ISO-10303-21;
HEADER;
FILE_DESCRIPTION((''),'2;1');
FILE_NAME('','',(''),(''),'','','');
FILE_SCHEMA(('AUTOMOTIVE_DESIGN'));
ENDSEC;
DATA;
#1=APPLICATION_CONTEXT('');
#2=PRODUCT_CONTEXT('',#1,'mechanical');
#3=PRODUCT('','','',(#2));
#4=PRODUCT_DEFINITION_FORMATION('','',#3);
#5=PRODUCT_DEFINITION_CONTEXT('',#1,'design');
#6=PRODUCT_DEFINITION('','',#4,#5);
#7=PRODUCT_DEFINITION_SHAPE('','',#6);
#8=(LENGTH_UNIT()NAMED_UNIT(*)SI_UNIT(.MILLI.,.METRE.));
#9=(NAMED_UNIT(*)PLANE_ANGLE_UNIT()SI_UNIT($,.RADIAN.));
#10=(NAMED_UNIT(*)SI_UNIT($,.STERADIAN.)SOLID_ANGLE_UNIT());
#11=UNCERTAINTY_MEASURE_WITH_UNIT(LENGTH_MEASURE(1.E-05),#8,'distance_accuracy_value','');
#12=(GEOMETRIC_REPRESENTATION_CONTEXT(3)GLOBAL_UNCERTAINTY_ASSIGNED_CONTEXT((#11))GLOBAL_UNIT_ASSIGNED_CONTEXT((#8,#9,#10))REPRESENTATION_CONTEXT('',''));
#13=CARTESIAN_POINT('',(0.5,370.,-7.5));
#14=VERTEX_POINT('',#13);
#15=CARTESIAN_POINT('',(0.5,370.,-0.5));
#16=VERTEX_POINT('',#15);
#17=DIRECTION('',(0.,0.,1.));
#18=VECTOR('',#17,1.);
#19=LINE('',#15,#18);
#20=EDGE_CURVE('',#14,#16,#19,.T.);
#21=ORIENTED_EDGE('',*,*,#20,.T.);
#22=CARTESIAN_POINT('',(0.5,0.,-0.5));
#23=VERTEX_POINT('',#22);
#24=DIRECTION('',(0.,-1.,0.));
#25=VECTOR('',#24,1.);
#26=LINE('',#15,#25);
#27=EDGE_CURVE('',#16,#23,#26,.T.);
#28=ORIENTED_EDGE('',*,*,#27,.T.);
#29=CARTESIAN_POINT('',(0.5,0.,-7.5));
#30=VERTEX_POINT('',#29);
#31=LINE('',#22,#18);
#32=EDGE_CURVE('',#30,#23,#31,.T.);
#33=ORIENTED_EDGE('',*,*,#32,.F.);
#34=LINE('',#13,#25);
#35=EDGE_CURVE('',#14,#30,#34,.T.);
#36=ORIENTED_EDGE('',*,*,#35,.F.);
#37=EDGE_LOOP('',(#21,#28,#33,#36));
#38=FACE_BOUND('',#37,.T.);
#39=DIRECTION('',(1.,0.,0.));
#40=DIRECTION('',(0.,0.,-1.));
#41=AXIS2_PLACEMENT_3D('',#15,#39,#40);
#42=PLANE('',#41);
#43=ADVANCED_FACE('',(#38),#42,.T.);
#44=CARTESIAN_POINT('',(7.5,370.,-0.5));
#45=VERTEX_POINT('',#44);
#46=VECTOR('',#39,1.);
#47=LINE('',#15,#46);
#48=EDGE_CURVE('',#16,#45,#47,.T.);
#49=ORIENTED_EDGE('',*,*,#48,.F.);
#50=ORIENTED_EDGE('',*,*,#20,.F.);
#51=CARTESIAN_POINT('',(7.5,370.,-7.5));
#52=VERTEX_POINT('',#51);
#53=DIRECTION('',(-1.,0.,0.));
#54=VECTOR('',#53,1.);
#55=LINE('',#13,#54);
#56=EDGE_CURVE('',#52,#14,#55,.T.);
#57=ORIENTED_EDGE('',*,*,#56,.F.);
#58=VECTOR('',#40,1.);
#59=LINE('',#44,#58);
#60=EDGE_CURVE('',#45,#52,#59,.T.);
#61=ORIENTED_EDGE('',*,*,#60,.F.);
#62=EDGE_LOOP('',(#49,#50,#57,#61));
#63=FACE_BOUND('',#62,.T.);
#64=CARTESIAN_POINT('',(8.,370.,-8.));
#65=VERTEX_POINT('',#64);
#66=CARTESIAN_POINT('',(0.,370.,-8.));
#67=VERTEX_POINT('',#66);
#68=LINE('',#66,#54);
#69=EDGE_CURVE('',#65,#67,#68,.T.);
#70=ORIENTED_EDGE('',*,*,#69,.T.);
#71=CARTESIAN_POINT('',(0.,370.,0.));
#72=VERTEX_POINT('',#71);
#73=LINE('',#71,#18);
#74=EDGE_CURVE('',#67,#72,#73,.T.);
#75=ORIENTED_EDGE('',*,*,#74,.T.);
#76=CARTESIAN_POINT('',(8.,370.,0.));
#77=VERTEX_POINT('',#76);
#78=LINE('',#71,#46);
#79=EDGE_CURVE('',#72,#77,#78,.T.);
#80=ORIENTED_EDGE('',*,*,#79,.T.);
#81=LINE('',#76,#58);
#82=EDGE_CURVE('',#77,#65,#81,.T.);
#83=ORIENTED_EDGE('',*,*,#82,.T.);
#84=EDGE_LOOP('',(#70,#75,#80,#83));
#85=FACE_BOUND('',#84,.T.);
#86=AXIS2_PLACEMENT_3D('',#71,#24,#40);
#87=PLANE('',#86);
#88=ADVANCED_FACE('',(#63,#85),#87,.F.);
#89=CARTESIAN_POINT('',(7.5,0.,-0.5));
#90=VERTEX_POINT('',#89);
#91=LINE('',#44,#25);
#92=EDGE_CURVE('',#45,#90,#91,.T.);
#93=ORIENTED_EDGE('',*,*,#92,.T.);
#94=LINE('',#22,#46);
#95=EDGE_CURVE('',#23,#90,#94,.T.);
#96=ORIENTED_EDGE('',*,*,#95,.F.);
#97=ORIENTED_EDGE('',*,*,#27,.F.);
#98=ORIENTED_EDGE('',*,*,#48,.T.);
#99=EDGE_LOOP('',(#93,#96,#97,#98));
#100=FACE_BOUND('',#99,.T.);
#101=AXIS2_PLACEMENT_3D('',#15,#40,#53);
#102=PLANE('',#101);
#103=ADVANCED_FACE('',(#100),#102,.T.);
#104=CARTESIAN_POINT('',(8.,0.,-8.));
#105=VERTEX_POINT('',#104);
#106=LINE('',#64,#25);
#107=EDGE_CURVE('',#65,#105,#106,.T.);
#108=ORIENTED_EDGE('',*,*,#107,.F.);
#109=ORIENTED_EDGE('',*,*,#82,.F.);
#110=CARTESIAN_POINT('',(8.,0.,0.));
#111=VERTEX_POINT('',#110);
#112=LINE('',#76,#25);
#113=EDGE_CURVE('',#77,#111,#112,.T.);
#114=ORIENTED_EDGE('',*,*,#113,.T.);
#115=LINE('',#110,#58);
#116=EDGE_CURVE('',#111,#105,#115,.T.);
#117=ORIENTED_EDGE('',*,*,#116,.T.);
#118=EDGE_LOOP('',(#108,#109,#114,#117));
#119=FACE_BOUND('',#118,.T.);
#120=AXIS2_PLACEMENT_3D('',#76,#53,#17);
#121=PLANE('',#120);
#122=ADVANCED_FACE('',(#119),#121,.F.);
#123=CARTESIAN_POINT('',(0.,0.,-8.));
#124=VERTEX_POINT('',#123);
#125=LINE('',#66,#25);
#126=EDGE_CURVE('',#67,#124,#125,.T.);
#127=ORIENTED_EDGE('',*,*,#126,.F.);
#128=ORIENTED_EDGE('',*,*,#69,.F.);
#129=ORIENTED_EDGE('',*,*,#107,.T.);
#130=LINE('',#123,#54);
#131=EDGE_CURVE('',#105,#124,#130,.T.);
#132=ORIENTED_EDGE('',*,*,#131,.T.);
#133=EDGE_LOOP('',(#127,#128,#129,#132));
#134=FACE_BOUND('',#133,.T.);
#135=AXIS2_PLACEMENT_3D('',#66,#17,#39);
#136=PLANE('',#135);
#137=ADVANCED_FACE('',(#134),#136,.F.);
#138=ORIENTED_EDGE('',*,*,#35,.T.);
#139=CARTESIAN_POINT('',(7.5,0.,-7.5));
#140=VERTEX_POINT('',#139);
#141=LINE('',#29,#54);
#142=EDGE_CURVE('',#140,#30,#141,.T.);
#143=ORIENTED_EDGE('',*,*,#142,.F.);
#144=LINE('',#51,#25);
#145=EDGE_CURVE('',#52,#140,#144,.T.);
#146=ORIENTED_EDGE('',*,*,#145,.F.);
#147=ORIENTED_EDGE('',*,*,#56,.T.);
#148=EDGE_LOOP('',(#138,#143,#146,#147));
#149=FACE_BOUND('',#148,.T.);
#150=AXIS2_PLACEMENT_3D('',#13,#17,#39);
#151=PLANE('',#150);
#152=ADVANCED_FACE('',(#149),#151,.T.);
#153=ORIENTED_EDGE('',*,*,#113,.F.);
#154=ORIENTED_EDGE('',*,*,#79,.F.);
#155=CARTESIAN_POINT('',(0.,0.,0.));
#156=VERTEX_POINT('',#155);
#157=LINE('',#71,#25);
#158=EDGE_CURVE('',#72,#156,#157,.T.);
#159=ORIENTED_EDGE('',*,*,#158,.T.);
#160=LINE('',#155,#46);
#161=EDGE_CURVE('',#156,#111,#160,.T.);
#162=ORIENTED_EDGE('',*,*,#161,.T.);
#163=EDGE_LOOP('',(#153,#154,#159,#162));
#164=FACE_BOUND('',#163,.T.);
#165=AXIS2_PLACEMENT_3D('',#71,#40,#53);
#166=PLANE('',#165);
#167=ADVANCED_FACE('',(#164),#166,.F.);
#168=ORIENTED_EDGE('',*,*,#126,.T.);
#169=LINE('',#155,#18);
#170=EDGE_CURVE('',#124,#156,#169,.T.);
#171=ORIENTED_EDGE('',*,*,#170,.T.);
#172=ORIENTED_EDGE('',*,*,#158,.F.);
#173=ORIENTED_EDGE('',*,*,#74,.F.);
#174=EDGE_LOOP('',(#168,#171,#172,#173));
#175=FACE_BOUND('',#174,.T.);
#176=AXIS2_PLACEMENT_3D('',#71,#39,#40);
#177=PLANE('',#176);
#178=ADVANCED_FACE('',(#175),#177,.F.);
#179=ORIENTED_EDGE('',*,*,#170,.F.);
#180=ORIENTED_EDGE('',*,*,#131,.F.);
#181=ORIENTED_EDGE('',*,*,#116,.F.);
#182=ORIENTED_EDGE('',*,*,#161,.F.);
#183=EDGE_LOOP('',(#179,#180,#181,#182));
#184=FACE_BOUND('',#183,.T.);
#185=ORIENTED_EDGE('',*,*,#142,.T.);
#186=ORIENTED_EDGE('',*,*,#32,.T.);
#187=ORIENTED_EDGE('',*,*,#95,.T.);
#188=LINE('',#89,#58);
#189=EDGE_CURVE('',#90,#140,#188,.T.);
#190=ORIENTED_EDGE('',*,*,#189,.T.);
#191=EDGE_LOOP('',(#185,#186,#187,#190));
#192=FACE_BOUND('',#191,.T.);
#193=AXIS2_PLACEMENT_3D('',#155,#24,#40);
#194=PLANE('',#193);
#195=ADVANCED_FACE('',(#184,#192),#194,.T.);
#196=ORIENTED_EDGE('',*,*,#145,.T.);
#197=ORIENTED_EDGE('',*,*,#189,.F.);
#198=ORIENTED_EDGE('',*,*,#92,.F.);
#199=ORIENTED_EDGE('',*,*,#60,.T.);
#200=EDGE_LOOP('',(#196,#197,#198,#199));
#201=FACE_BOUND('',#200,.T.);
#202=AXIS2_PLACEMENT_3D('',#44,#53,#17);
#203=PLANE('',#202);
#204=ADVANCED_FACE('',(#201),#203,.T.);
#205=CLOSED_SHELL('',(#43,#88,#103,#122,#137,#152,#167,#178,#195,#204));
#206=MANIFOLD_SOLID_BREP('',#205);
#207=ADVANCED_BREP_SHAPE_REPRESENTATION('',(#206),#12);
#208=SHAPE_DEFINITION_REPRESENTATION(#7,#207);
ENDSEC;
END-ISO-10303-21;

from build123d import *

# Parameters (mm, degrees)
SKETCH1_W           = 8
SKETCH1_H           = 8
SKETCH1_W_2         = 7
SKETCH1_H_2         = 7
BOSS_EXTRUDE1_DEPTH = 370


with BuildPart() as part:
    # Sketch1 → Boss-Extrude1 (new body)
    with BuildSketch(Plane(origin=(0, 0, 0), x_dir=(1, 0, 0), z_dir=(0, 1, 0))):
        with Locations((4, 4)):
            Rectangle(SKETCH1_W, SKETCH1_H)
        with Locations((4, 4)):
            Rectangle(SKETCH1_W_2, SKETCH1_H_2, mode=Mode.SUBTRACT)
    extrude(amount=BOSS_EXTRUDE1_DEPTH)


solid = part.part
